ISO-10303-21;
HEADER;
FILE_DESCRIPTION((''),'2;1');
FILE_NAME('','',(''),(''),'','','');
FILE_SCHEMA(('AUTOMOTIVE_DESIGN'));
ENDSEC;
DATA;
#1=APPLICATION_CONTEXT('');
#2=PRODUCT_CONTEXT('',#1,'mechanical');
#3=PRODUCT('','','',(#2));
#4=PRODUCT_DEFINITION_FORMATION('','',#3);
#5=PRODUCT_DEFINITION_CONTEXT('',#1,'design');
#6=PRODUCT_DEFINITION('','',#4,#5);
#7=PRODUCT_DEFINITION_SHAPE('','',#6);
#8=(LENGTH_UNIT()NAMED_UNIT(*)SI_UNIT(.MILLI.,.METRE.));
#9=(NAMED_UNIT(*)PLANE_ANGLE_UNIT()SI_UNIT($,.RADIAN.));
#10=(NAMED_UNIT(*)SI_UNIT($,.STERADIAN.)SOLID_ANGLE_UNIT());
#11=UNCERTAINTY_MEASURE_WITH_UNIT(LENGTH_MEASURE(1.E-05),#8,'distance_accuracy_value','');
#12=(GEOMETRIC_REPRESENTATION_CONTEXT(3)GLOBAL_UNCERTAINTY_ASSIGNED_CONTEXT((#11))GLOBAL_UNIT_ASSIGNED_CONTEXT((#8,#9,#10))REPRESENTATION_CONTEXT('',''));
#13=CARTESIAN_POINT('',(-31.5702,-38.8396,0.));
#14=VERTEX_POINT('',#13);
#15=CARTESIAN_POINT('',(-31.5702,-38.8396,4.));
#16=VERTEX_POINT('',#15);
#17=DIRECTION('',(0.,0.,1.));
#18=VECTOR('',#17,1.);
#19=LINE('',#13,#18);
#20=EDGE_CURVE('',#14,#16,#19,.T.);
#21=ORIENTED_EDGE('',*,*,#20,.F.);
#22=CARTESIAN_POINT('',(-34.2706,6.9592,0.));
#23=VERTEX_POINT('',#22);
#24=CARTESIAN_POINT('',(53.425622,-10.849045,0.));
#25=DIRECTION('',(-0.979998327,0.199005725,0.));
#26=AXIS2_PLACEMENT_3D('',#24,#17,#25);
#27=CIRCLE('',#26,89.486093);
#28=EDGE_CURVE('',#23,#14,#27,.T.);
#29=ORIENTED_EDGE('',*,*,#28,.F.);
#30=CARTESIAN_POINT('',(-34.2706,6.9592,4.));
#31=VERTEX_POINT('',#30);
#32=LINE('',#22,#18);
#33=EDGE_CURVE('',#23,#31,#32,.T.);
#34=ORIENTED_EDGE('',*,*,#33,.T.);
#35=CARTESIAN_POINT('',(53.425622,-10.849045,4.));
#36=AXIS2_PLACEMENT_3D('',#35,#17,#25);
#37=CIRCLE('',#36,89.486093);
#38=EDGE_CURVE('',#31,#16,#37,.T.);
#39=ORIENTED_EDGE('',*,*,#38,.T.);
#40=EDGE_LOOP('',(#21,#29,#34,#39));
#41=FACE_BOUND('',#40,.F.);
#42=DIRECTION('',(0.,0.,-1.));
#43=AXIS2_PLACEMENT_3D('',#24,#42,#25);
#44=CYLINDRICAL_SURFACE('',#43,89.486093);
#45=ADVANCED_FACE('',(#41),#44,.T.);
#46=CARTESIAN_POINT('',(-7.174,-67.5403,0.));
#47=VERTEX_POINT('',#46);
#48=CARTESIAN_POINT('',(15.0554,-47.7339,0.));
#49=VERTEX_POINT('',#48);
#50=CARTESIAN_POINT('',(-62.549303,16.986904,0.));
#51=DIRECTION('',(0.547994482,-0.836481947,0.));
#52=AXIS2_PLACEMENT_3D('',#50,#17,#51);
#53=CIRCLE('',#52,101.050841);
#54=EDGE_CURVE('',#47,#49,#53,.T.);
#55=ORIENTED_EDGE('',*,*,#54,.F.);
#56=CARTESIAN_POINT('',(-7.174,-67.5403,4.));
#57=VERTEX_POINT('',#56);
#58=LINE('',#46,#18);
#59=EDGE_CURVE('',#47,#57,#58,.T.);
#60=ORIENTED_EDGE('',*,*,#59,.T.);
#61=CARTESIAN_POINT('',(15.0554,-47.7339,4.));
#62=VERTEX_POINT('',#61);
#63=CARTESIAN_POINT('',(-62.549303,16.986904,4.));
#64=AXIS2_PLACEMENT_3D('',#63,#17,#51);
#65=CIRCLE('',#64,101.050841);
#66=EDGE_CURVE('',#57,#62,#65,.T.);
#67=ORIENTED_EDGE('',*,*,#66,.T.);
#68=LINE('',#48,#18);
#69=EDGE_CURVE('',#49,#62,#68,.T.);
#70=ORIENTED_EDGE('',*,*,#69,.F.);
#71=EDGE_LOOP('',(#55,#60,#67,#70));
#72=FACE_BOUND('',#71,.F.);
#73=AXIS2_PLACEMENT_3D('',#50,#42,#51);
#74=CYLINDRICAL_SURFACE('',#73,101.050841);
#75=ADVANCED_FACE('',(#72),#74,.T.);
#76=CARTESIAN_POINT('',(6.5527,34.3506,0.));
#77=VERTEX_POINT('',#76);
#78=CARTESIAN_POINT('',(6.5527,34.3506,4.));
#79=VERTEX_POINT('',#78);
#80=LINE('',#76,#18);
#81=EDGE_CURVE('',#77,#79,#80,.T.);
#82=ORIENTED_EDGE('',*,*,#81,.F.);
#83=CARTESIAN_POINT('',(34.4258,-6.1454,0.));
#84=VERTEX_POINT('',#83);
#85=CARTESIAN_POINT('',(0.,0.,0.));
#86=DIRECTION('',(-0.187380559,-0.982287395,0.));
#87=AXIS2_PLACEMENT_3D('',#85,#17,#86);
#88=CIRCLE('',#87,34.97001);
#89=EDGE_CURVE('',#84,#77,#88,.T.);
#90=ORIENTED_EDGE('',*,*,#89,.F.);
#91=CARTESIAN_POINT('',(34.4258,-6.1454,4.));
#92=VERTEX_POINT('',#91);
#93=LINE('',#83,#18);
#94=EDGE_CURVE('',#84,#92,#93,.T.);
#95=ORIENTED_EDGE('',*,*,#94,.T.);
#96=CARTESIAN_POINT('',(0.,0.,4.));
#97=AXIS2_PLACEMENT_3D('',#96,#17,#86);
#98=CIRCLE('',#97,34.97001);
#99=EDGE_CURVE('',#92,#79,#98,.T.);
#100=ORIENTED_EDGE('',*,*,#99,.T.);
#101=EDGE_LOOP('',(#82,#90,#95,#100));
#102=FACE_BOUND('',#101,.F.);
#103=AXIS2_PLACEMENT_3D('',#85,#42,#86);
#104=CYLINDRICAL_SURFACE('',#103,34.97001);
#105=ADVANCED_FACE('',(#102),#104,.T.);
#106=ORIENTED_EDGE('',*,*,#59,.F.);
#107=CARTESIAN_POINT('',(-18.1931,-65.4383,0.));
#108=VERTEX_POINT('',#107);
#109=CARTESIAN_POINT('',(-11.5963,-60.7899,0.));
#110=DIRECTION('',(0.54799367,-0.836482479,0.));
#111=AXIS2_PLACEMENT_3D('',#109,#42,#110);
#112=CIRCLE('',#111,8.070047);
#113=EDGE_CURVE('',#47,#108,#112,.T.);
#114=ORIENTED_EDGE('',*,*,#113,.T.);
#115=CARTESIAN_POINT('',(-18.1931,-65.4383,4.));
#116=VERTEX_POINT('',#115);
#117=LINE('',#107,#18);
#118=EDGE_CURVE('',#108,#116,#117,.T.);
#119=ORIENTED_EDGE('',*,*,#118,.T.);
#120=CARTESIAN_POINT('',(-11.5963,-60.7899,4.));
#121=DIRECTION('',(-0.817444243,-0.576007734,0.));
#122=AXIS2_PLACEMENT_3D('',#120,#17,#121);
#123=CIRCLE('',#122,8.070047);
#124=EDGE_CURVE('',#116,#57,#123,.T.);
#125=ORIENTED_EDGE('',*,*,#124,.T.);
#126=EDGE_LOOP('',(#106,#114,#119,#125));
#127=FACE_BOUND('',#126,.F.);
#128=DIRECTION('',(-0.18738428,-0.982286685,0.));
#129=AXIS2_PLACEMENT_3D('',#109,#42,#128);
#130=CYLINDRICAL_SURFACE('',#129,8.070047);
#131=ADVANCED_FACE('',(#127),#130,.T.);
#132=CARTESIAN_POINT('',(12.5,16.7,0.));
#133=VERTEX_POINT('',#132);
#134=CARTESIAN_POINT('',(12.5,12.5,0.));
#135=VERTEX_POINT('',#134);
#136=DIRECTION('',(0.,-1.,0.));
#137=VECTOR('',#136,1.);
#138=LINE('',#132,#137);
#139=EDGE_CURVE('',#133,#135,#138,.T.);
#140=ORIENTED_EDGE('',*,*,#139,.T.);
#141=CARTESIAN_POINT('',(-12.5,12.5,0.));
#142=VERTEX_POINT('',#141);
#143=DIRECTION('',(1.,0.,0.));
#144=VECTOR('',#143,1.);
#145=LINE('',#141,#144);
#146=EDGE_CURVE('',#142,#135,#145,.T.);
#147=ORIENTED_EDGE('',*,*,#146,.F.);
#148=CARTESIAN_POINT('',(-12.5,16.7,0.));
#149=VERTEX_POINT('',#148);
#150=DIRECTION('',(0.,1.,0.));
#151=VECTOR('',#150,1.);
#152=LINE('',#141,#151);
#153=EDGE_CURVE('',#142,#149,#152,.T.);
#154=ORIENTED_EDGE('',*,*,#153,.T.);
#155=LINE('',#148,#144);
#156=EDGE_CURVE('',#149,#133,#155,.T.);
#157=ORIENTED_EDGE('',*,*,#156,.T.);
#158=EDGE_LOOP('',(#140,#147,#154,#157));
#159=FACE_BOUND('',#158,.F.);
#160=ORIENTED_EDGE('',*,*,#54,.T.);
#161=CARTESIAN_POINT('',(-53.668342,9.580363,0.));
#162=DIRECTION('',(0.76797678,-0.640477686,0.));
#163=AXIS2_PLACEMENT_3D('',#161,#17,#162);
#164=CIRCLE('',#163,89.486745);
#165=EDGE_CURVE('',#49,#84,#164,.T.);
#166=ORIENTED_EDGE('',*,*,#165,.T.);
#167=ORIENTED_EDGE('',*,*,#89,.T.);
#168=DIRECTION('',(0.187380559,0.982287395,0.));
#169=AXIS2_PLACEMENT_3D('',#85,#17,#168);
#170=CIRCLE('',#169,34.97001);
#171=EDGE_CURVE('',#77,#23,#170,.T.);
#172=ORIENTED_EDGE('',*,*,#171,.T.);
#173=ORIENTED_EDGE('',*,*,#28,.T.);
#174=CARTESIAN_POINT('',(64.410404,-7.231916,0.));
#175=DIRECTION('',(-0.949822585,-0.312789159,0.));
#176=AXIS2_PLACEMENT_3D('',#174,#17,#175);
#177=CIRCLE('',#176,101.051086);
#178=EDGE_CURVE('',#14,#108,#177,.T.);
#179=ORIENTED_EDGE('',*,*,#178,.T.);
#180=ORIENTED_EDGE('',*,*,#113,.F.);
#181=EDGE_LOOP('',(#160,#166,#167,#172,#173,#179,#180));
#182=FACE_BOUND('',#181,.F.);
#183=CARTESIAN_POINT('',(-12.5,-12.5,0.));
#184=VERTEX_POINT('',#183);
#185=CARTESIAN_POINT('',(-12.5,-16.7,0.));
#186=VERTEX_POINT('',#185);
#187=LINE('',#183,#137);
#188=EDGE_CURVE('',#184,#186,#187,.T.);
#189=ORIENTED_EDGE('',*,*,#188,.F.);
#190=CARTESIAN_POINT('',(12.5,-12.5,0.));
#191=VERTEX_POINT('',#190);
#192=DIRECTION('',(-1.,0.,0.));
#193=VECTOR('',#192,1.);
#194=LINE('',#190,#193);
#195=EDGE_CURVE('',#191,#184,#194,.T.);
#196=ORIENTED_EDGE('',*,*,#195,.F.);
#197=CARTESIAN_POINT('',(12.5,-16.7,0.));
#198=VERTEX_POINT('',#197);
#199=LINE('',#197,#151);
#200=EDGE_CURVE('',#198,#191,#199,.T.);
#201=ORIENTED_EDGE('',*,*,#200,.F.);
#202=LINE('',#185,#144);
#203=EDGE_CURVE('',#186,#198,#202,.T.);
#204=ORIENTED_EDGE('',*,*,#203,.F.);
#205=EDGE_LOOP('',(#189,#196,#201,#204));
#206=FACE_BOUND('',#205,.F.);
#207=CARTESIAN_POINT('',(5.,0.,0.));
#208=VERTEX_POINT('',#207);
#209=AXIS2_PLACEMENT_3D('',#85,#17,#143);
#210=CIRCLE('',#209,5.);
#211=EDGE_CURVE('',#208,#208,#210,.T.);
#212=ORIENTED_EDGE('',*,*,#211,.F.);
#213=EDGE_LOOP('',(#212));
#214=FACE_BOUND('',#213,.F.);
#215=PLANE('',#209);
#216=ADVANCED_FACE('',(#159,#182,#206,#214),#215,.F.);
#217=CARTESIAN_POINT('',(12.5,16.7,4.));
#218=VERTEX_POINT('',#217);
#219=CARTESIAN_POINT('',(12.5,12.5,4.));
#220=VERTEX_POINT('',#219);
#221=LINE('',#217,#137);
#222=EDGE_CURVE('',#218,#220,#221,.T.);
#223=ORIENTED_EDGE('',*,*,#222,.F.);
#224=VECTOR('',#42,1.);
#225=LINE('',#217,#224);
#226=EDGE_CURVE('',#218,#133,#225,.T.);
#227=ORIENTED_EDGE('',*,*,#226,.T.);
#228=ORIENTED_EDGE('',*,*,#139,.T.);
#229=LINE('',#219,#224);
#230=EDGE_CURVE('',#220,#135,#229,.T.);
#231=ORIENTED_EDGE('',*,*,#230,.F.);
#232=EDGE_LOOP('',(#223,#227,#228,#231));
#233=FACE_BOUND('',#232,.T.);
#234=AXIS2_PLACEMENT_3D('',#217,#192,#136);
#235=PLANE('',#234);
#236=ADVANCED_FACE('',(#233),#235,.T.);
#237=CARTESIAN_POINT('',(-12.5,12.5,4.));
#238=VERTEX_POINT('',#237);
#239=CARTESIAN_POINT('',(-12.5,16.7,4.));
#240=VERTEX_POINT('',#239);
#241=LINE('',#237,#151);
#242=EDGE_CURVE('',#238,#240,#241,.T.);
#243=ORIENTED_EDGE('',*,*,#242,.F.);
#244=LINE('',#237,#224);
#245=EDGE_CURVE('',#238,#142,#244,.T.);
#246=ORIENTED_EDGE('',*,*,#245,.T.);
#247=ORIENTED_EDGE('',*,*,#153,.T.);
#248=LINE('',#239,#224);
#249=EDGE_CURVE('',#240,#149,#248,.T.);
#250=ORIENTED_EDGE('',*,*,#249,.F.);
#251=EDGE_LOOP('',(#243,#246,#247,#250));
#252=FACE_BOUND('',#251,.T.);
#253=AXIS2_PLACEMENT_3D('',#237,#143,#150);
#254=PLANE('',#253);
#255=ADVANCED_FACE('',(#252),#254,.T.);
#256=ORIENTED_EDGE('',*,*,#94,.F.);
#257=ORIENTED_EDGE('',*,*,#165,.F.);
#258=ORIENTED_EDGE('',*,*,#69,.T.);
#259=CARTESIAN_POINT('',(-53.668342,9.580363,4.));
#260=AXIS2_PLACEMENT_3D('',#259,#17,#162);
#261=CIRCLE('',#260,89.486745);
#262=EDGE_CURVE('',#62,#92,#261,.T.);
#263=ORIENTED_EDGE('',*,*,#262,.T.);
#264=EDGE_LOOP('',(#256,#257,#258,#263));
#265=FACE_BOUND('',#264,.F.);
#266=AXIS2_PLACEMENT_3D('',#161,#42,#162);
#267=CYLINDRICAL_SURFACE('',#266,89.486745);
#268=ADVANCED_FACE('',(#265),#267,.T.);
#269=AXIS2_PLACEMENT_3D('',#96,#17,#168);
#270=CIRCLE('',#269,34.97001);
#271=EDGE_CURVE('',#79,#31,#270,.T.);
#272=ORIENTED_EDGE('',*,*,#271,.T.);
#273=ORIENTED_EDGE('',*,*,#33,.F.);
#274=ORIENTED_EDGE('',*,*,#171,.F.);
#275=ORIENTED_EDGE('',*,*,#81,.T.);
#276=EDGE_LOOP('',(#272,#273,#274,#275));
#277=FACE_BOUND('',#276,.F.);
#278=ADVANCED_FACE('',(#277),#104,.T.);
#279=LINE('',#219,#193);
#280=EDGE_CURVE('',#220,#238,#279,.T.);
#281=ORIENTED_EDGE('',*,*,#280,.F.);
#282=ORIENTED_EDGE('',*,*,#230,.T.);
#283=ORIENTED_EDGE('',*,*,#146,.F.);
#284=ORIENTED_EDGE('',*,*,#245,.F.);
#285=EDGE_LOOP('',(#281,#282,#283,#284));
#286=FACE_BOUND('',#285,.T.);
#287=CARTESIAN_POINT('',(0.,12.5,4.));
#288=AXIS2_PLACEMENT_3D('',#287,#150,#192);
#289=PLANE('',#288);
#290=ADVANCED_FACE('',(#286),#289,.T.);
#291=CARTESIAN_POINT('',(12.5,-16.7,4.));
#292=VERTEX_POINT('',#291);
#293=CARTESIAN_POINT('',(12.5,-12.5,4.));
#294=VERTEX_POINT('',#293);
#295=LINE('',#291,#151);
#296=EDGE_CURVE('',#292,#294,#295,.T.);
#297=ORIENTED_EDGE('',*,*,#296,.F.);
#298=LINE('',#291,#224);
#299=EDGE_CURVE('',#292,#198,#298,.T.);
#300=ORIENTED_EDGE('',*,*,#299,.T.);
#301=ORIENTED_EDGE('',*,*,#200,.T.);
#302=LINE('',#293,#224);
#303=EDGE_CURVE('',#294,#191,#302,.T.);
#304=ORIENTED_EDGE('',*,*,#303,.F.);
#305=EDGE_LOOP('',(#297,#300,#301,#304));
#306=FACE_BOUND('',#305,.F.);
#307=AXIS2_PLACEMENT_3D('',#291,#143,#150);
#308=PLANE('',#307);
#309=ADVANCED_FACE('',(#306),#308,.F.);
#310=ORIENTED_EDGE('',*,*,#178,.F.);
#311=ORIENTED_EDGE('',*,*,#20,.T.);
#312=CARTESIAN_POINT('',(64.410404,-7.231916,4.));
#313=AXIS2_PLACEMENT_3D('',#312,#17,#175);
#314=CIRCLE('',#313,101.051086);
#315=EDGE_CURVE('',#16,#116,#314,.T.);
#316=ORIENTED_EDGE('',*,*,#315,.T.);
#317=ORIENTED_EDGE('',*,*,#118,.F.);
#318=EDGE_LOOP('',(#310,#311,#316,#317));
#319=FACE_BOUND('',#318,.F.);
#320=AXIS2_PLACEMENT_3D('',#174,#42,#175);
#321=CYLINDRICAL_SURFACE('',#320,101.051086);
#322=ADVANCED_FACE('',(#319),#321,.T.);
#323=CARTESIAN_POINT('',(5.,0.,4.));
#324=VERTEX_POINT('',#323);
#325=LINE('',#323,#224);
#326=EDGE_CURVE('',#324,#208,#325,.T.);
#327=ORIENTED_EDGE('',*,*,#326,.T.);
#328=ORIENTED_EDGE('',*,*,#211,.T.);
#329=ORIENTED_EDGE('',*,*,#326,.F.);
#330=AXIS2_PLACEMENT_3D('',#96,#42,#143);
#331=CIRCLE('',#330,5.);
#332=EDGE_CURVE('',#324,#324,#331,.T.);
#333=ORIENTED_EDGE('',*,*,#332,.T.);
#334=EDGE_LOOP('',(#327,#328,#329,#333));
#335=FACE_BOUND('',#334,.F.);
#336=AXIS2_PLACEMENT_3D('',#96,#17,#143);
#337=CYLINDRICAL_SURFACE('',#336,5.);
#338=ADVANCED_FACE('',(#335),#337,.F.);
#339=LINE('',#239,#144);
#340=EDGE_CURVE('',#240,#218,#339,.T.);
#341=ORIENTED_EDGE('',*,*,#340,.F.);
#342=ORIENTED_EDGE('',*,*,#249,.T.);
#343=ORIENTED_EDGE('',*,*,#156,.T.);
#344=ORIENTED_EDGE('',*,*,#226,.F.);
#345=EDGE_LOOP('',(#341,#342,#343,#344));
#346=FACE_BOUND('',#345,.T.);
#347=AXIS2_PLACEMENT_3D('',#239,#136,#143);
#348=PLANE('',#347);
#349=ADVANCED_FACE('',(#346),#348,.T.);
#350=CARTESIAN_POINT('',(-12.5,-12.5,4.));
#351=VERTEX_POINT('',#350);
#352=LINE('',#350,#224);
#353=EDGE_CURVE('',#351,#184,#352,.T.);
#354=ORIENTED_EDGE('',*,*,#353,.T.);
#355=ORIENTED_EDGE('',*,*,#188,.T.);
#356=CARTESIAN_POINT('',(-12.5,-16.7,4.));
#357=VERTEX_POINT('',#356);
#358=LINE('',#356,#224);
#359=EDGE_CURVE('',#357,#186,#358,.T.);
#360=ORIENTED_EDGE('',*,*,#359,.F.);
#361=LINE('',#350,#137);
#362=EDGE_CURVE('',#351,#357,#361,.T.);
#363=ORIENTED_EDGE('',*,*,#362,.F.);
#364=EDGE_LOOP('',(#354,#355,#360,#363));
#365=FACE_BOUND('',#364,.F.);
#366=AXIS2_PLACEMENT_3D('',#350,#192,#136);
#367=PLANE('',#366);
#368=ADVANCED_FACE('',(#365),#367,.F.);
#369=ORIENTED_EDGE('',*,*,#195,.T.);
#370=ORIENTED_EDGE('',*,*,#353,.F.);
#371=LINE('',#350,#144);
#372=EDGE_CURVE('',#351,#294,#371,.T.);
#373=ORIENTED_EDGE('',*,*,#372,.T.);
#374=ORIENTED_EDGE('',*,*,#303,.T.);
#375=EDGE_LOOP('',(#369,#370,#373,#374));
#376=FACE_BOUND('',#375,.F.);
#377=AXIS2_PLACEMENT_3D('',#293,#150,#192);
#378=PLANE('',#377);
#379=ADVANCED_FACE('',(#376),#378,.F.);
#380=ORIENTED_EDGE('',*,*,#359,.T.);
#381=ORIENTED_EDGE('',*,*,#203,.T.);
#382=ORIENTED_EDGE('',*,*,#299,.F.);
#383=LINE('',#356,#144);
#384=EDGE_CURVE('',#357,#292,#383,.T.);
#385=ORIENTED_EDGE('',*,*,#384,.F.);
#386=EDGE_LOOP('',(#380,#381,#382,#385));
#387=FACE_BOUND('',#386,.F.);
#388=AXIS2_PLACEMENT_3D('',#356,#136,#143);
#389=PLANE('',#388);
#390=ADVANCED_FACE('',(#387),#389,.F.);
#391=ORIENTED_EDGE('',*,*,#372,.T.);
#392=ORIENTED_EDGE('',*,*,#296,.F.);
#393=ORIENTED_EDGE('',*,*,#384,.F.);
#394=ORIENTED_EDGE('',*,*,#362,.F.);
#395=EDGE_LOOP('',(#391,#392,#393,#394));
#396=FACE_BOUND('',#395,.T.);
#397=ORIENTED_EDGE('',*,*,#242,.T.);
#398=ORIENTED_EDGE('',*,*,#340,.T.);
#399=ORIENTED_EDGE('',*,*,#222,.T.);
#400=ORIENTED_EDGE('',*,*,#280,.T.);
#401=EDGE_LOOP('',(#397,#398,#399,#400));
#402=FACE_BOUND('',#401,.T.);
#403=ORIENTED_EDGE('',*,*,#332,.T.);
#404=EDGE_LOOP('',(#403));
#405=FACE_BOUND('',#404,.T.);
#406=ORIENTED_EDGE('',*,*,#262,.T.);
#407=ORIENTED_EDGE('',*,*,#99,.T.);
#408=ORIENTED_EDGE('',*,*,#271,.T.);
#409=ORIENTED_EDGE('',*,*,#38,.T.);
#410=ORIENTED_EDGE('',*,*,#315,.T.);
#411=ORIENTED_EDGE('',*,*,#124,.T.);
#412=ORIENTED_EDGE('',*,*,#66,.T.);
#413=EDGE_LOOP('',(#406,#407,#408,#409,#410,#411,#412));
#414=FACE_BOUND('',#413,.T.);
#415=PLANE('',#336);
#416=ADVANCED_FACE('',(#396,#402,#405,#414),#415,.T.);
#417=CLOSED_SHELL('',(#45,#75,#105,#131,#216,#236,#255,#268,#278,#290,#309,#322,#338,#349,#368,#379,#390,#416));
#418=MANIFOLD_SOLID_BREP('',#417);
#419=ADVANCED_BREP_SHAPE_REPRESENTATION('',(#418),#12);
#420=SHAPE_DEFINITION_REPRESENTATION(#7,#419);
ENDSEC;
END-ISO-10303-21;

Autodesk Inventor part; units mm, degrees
ref_plane "YZ Plane" through (0, 0, 0) normal (1, 0, 0) x (0, 1, 0)
ref_plane "XZ Plane" through (0, 0, 0) normal (0, 1, 0) x (-1, 0, 0)
ref_plane "XY Plane" through (0, 0, 0) normal (0, 0, 1) x (1, 0, 0)
sketch "Boceto1" plane through (0, 0, 0) normal (0, 0, 1) x (1, 0, 0)
  arc A0 (6.5527, 34.3506) -> (-6.5527, -34.3506) centre (0, 0) ccw
  arc A1 (-10.0841, -52.8628) -> (-13.1085, -68.717) centre (-11.5963, -60.7899) ccw
  line L0 (-13.5463, -71.0121) -> (-21.4733, -69.4999)
  line L1 (-34.2706, 6.9592) -> (-47.4823, 9.4795)
  line L2 (-47.4823, 9.4795) -> (-21.4733, -69.4999)
  line L3 (-21.4733, -69.4999) -> (-31.5702, -38.8396)
  arc A2 (-34.2706, 6.9592) -> (-31.5702, -38.8396) centre (53.4264, -10.8491) ccw
  arc A3 (-31.5702, -38.8396) -> (-18.1931, -65.4383) centre (64.4102, -7.232) ccw
  line L4 (0.5041, 2.6424) -> (6.5527, 34.3506)
  line L5 (-0.5041, -2.6424) -> (-13.5463, -71.0121)
  arc A4 (-6.5527, -34.3506) -> (6.5527, 34.3506) centre (0, 0) ccw
  arc A5 (-13.1085, -68.717) -> (-10.0841, -52.8628) centre (-11.5963, -60.7899) ccw
  line L6 (-13.5463, -71.0121) -> (-5.6192, -72.5242)
  line L7 (34.4258, -6.1454) -> (47.6376, -8.6656)
  line L8 (47.6376, -8.6656) -> (-5.6192, -72.5242)
  line L9 (-5.6192, -72.5242) -> (15.0554, -47.7339)
  arc A6 (15.0554, -47.7339) -> (34.4258, -6.1454) centre (-53.6684, 9.5804) ccw
  arc A7 (-7.174, -67.5403) -> (15.0554, -47.7339) centre (-62.5493, 16.9869) ccw
  dimension "d0" = 69.94
  dimension "d6" = 16.14
  dimension "d7" = 8.07
  dimension "d8" = 13.45
  dimension "d9" = 32.28
extrude "Extrusión2" add sketch "Boceto1" along normal blind 4 contours A4 A0 | A0 L5 A1 A3 A2 | A6 A7 A5 L5 A4 | L5 A1 | A5 L5
sketch "Boceto2" plane through (0, 0, 4) normal (0, 0, 1) x (1, 0, 0)
  line L0 (0, 0) -> (0, 12.5)
  line L1 (0, 12.5) -> (-12.5, 12.5)
  line L2 (-12.5, 12.5) -> (-12.5, 16.7)
  line L3 (-12.5, 16.7) -> (12.5, 16.7)
  line L4 (12.5, 16.7) -> (12.5, 12.5)
  line L5 (12.5, 12.5) -> (0, 12.5)
  line L6 (0, 0) -> (12.5, 0)
  line L7 (0, 0) -> (0, -12.5)
  line L8 (0, -12.5) -> (-12.5, -12.5)
  line L9 (-12.5, -12.5) -> (-12.5, -16.7)
  line L10 (-12.5, -16.7) -> (12.5, -16.7)
  line L11 (12.5, -16.7) -> (12.5, -12.5)
  line L12 (12.5, -12.5) -> (0, -12.5)
  circle A0 centre (0, 0) radius 5
  dimension "d24" = 12.5
  dimension "d25" = 12.5
  dimension "d26" = 4.2
  dimension "d27" = 25
  dimension "d28" = 10
extrude "Extrusión3" cut sketch "Boceto2" against normal blind 4
properties part number "leva00" material "Madera (abedul)"
